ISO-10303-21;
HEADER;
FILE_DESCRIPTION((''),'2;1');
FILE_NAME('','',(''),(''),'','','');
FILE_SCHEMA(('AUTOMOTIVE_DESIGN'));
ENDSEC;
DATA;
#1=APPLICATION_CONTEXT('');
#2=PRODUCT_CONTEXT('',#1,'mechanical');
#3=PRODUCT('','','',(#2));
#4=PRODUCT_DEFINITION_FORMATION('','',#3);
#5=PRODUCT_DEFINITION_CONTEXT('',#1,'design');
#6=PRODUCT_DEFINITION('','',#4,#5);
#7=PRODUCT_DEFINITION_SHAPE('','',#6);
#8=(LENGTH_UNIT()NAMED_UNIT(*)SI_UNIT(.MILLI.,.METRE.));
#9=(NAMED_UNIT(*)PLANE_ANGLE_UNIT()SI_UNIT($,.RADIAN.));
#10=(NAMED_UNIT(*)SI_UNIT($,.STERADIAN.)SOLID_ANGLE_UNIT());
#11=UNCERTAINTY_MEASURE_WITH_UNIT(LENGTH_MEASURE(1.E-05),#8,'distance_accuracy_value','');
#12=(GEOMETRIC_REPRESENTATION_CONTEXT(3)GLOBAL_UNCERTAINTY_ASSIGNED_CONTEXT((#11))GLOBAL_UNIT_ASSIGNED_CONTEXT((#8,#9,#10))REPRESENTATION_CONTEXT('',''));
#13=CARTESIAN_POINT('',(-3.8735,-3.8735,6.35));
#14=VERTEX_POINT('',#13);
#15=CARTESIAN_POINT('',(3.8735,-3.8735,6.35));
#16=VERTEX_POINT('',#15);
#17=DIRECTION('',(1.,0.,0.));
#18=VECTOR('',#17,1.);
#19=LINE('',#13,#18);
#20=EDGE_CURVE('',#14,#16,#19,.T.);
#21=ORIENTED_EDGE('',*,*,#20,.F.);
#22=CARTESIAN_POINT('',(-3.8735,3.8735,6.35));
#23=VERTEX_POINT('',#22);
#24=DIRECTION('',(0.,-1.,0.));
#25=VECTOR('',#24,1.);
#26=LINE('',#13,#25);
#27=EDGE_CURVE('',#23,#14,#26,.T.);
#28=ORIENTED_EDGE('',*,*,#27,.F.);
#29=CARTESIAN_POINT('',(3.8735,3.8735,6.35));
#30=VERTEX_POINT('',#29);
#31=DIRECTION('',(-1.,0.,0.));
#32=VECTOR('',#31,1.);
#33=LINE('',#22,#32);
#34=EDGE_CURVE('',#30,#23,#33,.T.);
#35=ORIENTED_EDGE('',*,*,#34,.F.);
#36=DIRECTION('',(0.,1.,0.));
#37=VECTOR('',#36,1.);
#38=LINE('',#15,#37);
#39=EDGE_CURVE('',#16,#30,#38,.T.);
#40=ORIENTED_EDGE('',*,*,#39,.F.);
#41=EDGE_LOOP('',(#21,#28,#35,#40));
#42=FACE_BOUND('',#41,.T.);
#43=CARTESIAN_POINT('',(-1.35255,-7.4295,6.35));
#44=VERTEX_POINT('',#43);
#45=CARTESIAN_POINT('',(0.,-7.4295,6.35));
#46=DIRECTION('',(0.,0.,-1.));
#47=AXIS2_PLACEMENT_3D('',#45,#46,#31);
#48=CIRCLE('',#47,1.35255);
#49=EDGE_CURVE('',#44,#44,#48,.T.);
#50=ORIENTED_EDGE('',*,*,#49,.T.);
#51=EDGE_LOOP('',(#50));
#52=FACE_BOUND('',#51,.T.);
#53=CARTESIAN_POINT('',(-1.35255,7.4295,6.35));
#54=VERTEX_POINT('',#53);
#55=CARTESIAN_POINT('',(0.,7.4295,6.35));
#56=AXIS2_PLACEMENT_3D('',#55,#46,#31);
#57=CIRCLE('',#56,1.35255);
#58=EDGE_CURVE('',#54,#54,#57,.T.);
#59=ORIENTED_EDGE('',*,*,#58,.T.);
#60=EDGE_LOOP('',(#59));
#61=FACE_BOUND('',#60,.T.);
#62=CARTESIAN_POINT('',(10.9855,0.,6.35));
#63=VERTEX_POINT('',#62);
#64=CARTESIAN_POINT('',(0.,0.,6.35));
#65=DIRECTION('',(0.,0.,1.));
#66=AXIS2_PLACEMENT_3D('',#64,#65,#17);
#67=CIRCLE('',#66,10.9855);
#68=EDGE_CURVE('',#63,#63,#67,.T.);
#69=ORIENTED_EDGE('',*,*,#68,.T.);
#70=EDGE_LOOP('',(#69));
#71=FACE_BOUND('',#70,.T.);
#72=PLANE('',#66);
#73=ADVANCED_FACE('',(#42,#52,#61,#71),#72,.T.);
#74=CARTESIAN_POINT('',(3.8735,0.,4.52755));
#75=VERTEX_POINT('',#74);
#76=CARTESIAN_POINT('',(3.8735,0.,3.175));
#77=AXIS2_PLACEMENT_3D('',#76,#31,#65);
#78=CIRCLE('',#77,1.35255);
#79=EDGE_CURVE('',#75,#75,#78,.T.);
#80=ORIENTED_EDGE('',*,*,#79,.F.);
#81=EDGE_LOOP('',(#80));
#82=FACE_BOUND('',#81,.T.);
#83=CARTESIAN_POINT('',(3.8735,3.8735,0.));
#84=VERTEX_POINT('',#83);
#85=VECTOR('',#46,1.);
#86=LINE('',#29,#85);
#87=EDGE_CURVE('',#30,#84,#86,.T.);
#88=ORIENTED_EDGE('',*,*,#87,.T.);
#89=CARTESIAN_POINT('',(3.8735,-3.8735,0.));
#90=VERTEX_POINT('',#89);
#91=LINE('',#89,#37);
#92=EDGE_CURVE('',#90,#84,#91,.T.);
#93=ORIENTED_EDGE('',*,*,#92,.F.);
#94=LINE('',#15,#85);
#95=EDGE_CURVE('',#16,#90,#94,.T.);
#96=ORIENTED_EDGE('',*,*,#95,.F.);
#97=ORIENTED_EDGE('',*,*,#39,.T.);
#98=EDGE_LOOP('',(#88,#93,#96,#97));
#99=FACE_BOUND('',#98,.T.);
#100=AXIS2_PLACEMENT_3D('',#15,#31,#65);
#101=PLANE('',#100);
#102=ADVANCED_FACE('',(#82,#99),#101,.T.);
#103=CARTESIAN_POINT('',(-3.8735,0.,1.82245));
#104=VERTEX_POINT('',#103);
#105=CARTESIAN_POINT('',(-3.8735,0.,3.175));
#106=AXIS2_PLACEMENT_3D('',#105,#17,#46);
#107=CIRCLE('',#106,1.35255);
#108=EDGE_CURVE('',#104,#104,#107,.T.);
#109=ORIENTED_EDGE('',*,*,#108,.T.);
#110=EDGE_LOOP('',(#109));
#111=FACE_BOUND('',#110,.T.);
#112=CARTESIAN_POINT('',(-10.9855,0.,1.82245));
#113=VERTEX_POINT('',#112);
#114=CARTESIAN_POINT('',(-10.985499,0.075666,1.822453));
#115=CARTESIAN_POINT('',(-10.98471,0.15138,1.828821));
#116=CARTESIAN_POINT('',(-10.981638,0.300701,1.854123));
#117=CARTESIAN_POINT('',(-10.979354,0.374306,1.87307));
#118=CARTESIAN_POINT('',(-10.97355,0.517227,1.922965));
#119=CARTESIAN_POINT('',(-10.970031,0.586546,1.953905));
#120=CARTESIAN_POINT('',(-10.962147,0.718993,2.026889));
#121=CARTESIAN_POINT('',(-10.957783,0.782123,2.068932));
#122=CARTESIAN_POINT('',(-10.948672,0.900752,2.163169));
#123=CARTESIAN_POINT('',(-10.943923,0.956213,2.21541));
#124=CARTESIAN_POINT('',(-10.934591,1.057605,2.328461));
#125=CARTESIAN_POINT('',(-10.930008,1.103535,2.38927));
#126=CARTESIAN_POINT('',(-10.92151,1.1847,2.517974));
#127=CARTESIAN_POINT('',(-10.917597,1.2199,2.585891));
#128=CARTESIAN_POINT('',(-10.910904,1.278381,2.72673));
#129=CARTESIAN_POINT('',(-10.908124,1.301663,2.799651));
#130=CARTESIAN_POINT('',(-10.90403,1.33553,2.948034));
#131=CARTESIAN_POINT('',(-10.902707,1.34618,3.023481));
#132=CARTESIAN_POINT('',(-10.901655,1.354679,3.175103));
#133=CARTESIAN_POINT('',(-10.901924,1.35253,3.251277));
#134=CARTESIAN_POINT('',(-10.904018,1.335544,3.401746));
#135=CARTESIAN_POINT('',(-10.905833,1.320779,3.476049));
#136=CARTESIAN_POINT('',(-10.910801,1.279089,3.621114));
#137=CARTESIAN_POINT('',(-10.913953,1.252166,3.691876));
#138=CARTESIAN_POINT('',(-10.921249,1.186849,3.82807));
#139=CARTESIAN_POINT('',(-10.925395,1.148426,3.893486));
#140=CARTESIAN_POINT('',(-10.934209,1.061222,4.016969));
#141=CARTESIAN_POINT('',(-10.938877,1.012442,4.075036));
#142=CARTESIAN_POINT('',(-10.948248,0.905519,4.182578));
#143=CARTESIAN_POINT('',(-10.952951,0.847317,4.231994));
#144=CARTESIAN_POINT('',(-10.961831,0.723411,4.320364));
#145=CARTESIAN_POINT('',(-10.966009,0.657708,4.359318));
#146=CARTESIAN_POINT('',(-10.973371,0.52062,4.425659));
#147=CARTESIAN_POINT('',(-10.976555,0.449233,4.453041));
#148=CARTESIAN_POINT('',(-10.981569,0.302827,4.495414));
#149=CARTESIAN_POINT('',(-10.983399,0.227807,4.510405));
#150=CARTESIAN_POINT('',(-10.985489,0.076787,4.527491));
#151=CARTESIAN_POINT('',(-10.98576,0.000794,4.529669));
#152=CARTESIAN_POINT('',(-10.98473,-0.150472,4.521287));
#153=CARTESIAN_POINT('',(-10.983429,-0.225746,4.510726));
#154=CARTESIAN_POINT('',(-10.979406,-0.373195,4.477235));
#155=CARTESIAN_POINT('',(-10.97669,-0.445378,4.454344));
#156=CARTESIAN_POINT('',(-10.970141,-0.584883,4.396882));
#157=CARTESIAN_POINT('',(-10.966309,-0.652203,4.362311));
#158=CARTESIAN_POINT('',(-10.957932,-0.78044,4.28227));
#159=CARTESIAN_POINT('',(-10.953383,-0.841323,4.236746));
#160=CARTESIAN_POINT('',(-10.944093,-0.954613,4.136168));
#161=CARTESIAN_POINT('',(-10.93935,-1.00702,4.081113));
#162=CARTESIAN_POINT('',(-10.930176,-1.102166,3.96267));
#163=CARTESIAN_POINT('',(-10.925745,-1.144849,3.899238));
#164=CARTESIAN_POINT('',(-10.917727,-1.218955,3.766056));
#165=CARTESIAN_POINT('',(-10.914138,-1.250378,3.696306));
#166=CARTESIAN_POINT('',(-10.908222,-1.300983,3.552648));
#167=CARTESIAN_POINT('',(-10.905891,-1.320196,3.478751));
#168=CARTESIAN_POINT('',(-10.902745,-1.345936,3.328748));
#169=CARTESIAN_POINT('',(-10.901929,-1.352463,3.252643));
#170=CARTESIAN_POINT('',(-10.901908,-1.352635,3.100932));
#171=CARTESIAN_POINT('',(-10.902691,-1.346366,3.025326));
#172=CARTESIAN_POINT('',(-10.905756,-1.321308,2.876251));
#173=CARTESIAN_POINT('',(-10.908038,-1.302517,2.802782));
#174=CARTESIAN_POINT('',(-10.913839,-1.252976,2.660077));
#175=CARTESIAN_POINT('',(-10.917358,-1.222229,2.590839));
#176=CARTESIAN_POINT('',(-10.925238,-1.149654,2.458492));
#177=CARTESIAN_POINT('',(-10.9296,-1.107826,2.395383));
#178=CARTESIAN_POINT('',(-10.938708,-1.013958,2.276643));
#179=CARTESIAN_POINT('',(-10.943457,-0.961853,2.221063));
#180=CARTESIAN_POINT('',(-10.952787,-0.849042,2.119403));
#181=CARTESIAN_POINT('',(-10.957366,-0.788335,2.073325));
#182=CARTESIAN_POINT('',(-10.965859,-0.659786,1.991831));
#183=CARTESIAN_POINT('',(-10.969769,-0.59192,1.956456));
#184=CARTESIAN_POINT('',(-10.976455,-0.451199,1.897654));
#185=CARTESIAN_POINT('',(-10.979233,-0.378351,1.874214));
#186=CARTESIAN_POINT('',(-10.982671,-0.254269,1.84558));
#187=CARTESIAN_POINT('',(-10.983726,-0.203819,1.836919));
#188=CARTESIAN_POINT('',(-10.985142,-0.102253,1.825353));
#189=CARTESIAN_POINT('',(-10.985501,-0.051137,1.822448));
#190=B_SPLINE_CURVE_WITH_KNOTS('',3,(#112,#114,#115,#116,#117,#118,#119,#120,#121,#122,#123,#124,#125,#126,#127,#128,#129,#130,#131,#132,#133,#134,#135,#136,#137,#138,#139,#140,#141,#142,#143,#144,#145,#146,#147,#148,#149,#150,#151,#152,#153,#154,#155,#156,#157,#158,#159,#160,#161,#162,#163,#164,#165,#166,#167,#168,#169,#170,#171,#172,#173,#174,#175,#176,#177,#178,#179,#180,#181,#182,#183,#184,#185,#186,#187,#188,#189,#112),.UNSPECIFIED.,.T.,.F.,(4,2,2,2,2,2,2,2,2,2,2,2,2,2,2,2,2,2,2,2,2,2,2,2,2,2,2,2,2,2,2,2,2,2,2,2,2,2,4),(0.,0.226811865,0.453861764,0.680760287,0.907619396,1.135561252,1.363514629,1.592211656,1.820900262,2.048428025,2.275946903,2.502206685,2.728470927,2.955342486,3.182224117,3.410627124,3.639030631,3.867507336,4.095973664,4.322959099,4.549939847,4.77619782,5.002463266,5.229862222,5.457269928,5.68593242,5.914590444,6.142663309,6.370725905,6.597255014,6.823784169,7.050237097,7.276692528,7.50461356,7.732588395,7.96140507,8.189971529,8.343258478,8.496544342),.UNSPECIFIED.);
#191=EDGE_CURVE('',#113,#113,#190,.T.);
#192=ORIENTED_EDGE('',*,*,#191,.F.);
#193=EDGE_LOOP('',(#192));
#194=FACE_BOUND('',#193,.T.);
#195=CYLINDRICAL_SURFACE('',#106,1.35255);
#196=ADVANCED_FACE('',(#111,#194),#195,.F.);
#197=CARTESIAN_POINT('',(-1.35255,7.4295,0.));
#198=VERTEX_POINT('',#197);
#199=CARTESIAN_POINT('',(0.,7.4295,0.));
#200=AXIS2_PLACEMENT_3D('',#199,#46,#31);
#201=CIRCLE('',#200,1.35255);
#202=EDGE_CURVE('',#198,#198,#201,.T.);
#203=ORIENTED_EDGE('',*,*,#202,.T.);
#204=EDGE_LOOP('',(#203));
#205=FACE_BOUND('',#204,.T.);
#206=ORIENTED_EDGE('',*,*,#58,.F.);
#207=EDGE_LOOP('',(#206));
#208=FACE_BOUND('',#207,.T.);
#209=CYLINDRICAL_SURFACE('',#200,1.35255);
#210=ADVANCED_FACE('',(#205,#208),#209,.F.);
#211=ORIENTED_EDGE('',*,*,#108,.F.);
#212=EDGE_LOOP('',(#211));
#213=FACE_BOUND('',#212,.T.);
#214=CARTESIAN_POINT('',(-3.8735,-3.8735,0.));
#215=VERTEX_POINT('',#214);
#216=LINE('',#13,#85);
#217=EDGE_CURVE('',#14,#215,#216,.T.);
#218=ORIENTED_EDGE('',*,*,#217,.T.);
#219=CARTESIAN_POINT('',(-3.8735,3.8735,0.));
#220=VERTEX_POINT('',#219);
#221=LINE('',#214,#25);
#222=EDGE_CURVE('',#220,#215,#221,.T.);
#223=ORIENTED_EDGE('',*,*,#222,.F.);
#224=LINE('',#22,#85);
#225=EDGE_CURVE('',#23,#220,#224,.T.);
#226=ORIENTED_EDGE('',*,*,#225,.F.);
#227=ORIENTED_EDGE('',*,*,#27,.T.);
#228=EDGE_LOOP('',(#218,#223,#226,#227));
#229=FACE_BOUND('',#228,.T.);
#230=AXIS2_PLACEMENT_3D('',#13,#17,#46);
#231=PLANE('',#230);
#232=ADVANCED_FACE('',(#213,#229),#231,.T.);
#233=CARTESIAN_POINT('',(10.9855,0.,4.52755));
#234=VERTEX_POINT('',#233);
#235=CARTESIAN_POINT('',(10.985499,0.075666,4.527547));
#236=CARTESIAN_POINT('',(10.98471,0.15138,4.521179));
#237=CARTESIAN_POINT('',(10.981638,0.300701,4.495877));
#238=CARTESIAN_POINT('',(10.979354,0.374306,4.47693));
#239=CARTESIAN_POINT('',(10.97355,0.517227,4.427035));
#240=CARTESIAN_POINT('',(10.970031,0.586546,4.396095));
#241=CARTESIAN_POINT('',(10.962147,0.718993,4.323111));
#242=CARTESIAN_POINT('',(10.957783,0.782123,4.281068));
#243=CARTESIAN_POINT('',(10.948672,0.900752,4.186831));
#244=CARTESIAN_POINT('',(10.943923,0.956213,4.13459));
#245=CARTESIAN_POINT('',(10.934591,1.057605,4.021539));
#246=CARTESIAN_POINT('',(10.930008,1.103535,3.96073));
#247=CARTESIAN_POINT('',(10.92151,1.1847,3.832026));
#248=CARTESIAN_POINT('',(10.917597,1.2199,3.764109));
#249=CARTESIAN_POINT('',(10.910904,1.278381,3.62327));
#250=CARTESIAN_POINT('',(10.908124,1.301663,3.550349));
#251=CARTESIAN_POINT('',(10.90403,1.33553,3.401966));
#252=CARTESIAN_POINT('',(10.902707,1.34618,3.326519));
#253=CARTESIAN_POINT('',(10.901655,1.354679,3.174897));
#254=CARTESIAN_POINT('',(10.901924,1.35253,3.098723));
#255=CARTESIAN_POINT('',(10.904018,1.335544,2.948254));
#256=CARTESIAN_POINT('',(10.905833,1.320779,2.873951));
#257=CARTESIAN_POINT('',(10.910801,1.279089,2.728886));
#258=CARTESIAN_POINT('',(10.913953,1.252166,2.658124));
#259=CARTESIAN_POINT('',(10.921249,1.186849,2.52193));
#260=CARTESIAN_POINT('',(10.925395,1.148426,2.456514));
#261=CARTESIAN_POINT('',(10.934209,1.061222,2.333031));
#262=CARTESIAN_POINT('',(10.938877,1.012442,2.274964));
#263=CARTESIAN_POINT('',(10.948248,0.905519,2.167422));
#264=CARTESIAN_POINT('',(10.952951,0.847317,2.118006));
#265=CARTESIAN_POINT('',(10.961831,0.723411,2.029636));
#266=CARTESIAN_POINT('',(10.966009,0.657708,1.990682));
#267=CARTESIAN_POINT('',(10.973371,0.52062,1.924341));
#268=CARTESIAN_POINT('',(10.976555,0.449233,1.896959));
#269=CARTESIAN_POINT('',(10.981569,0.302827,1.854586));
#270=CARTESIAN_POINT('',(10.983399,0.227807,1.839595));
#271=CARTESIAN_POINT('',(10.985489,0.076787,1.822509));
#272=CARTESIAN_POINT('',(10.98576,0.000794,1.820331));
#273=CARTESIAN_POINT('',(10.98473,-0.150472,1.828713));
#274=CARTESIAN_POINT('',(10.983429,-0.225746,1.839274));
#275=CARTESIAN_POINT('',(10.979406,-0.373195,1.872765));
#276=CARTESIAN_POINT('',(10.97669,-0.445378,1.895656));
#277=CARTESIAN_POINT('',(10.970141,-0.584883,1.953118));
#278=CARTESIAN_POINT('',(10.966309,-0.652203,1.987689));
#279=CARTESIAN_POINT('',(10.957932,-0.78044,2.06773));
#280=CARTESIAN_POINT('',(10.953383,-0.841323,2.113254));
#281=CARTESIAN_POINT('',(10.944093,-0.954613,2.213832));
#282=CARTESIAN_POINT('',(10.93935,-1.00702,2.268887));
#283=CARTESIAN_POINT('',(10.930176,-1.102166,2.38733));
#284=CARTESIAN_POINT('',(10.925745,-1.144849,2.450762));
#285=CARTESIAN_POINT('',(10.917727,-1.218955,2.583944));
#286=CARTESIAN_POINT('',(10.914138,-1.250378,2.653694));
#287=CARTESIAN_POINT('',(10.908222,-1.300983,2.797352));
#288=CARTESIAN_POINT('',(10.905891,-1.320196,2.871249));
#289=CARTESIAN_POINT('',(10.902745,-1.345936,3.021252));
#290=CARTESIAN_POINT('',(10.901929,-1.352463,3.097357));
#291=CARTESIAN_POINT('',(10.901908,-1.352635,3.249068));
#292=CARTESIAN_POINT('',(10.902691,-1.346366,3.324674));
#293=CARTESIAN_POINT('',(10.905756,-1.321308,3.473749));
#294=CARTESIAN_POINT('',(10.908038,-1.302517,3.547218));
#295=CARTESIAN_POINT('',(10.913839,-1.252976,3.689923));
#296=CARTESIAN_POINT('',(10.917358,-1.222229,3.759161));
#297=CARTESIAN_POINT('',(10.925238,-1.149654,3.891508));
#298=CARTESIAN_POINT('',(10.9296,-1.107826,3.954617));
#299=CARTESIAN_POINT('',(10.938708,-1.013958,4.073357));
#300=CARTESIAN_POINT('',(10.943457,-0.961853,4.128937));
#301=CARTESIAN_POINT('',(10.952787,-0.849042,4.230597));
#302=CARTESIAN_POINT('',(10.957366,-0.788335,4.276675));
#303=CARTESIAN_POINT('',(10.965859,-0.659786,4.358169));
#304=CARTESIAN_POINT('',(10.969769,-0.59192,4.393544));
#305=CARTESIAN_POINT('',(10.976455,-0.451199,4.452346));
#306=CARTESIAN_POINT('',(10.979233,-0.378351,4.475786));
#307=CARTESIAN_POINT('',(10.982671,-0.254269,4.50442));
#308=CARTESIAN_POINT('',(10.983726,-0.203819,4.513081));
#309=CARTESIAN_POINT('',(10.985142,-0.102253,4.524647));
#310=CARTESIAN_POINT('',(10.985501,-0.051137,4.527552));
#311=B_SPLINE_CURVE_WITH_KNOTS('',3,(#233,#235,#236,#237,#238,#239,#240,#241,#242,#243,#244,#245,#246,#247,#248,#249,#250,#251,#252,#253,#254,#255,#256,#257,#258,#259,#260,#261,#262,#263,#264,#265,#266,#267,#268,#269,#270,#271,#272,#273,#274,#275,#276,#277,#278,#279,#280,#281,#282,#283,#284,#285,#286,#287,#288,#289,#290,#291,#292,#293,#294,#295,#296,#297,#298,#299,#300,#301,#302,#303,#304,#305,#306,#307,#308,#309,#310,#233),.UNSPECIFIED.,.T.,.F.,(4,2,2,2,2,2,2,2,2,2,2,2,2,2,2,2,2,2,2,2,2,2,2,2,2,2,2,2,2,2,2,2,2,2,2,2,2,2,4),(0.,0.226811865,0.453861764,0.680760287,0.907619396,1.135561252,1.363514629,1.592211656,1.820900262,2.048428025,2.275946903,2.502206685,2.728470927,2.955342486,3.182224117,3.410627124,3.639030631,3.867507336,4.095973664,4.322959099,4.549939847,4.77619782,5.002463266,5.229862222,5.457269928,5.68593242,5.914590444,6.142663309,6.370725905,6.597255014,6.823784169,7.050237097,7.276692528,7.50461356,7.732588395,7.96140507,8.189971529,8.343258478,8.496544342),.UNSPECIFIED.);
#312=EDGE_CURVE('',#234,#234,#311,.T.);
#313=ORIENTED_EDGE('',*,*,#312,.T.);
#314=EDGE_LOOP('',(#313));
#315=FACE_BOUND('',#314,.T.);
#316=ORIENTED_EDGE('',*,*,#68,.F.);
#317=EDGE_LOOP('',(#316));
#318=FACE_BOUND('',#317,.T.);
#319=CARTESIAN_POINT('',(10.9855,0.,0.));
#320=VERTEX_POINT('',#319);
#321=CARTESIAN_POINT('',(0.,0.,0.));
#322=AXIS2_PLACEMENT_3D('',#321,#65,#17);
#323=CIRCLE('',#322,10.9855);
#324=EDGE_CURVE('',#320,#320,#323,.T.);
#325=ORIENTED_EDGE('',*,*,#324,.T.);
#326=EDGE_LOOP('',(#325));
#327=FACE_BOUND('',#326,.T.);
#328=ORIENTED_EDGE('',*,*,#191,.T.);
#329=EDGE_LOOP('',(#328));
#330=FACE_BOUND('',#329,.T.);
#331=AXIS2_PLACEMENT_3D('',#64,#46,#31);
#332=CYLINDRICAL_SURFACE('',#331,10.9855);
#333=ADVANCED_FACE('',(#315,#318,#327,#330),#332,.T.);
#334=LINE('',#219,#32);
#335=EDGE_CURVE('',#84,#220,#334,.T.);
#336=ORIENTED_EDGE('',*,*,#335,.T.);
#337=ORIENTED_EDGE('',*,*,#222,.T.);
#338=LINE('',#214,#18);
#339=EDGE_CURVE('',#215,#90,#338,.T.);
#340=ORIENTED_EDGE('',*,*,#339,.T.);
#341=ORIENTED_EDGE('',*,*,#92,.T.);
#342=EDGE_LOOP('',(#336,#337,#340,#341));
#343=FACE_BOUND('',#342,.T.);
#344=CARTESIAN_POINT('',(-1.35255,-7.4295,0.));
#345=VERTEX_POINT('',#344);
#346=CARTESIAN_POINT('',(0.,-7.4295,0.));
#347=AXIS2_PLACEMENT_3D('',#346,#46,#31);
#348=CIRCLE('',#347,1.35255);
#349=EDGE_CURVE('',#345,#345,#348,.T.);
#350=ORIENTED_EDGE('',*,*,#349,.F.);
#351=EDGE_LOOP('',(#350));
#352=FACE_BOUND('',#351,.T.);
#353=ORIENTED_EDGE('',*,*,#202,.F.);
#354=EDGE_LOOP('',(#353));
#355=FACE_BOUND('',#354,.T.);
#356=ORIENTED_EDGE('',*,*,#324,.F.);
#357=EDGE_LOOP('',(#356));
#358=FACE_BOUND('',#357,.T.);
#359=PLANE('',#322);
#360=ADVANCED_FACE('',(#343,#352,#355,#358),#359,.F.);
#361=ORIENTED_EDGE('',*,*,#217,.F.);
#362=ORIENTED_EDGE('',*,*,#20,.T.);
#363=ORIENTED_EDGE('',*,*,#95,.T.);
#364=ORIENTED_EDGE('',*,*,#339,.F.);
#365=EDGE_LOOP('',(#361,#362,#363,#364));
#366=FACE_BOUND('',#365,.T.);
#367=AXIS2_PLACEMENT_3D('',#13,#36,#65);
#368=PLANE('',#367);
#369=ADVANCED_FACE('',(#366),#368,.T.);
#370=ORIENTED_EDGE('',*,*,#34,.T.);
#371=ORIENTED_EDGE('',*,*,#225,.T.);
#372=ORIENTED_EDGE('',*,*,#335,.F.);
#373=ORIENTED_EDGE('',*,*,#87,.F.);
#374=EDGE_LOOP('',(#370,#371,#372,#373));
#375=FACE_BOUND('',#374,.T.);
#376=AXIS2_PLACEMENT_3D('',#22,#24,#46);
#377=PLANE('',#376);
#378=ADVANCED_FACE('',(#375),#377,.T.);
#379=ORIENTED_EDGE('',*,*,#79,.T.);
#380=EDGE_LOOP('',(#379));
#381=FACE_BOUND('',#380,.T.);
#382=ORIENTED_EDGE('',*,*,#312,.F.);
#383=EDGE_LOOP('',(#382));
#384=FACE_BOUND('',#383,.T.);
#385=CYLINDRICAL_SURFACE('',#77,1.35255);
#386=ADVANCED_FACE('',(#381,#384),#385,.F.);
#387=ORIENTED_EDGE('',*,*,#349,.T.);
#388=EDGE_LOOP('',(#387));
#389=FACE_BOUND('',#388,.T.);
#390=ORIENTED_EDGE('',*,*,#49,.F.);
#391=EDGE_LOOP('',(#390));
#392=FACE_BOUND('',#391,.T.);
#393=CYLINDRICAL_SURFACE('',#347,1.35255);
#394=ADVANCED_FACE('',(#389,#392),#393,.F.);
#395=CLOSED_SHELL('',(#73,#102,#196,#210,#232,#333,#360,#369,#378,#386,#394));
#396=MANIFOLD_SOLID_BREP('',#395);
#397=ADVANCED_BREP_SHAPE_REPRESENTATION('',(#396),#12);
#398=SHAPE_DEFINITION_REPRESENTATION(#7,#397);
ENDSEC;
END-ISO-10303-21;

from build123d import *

# Parameters (mm, degrees)
SKETCH1_R                           = 10.9855
SKETCH1_W                           = 7.747
SKETCH1_H                           = 7.747
BOSS_EXTRUDE1_DEPTH                 = 6.35
F_6_32_TAPPED_HOLE1_D               = 2.7051
F_6_32_TAPPED_HOLE1_DEPTH           = 7.112
F_6_32_TAPPED_HOLE1_ON_FACE_2_D     = 2.7051
F_6_32_TAPPED_HOLE1_ON_FACE_2_DEPTH = 7.112
F_6_32_TAPPED_HOLE2_D               = 2.7051
F_6_32_TAPPED_HOLE4_D               = 2.7051


with BuildPart() as part:
    # Sketch1 → Boss-Extrude1 (new body)
    with BuildSketch(Plane.XY):
        Circle(SKETCH1_R)
        Rectangle(SKETCH1_W, SKETCH1_H, mode=Mode.SUBTRACT)
    extrude(amount=BOSS_EXTRUDE1_DEPTH)

    # #6-32 Tapped Hole1
    with Locations(Plane(origin=(10.9855, 0, 3.175), x_dir=(0, 0, 1), z_dir=(1, 0, 0))):
        with Locations((0, 0)):
            Hole(F_6_32_TAPPED_HOLE1_D / 2, depth=F_6_32_TAPPED_HOLE1_DEPTH)

    # #6-32 Tapped Hole1 on face 2
    with Locations(Plane(origin=(3.8735, 0, 3.175), x_dir=(0, 0, -1), z_dir=(-1, 0, 0))):
        with Locations((0, 0)):
            Hole(F_6_32_TAPPED_HOLE1_ON_FACE_2_D / 2, depth=F_6_32_TAPPED_HOLE1_ON_FACE_2_DEPTH)

    # #6-32 Tapped Hole2 (through all)
    with Locations(Plane(origin=(-3.8735, 0, 0), x_dir=(0, 0, -1), z_dir=(1, 0, 0))):
        with Locations((-3.175, 0)):
            Hole(F_6_32_TAPPED_HOLE2_D / 2)

    # #6-32 Tapped Hole4 (through all)
    with Locations(Plane(origin=(0, 0, 0), x_dir=(-1, 0, 0), z_dir=(0, 0, -1))):
        with Locations((0, -7.4295), (0, 7.4295)):
            Hole(F_6_32_TAPPED_HOLE4_D / 2)


solid = part.part
